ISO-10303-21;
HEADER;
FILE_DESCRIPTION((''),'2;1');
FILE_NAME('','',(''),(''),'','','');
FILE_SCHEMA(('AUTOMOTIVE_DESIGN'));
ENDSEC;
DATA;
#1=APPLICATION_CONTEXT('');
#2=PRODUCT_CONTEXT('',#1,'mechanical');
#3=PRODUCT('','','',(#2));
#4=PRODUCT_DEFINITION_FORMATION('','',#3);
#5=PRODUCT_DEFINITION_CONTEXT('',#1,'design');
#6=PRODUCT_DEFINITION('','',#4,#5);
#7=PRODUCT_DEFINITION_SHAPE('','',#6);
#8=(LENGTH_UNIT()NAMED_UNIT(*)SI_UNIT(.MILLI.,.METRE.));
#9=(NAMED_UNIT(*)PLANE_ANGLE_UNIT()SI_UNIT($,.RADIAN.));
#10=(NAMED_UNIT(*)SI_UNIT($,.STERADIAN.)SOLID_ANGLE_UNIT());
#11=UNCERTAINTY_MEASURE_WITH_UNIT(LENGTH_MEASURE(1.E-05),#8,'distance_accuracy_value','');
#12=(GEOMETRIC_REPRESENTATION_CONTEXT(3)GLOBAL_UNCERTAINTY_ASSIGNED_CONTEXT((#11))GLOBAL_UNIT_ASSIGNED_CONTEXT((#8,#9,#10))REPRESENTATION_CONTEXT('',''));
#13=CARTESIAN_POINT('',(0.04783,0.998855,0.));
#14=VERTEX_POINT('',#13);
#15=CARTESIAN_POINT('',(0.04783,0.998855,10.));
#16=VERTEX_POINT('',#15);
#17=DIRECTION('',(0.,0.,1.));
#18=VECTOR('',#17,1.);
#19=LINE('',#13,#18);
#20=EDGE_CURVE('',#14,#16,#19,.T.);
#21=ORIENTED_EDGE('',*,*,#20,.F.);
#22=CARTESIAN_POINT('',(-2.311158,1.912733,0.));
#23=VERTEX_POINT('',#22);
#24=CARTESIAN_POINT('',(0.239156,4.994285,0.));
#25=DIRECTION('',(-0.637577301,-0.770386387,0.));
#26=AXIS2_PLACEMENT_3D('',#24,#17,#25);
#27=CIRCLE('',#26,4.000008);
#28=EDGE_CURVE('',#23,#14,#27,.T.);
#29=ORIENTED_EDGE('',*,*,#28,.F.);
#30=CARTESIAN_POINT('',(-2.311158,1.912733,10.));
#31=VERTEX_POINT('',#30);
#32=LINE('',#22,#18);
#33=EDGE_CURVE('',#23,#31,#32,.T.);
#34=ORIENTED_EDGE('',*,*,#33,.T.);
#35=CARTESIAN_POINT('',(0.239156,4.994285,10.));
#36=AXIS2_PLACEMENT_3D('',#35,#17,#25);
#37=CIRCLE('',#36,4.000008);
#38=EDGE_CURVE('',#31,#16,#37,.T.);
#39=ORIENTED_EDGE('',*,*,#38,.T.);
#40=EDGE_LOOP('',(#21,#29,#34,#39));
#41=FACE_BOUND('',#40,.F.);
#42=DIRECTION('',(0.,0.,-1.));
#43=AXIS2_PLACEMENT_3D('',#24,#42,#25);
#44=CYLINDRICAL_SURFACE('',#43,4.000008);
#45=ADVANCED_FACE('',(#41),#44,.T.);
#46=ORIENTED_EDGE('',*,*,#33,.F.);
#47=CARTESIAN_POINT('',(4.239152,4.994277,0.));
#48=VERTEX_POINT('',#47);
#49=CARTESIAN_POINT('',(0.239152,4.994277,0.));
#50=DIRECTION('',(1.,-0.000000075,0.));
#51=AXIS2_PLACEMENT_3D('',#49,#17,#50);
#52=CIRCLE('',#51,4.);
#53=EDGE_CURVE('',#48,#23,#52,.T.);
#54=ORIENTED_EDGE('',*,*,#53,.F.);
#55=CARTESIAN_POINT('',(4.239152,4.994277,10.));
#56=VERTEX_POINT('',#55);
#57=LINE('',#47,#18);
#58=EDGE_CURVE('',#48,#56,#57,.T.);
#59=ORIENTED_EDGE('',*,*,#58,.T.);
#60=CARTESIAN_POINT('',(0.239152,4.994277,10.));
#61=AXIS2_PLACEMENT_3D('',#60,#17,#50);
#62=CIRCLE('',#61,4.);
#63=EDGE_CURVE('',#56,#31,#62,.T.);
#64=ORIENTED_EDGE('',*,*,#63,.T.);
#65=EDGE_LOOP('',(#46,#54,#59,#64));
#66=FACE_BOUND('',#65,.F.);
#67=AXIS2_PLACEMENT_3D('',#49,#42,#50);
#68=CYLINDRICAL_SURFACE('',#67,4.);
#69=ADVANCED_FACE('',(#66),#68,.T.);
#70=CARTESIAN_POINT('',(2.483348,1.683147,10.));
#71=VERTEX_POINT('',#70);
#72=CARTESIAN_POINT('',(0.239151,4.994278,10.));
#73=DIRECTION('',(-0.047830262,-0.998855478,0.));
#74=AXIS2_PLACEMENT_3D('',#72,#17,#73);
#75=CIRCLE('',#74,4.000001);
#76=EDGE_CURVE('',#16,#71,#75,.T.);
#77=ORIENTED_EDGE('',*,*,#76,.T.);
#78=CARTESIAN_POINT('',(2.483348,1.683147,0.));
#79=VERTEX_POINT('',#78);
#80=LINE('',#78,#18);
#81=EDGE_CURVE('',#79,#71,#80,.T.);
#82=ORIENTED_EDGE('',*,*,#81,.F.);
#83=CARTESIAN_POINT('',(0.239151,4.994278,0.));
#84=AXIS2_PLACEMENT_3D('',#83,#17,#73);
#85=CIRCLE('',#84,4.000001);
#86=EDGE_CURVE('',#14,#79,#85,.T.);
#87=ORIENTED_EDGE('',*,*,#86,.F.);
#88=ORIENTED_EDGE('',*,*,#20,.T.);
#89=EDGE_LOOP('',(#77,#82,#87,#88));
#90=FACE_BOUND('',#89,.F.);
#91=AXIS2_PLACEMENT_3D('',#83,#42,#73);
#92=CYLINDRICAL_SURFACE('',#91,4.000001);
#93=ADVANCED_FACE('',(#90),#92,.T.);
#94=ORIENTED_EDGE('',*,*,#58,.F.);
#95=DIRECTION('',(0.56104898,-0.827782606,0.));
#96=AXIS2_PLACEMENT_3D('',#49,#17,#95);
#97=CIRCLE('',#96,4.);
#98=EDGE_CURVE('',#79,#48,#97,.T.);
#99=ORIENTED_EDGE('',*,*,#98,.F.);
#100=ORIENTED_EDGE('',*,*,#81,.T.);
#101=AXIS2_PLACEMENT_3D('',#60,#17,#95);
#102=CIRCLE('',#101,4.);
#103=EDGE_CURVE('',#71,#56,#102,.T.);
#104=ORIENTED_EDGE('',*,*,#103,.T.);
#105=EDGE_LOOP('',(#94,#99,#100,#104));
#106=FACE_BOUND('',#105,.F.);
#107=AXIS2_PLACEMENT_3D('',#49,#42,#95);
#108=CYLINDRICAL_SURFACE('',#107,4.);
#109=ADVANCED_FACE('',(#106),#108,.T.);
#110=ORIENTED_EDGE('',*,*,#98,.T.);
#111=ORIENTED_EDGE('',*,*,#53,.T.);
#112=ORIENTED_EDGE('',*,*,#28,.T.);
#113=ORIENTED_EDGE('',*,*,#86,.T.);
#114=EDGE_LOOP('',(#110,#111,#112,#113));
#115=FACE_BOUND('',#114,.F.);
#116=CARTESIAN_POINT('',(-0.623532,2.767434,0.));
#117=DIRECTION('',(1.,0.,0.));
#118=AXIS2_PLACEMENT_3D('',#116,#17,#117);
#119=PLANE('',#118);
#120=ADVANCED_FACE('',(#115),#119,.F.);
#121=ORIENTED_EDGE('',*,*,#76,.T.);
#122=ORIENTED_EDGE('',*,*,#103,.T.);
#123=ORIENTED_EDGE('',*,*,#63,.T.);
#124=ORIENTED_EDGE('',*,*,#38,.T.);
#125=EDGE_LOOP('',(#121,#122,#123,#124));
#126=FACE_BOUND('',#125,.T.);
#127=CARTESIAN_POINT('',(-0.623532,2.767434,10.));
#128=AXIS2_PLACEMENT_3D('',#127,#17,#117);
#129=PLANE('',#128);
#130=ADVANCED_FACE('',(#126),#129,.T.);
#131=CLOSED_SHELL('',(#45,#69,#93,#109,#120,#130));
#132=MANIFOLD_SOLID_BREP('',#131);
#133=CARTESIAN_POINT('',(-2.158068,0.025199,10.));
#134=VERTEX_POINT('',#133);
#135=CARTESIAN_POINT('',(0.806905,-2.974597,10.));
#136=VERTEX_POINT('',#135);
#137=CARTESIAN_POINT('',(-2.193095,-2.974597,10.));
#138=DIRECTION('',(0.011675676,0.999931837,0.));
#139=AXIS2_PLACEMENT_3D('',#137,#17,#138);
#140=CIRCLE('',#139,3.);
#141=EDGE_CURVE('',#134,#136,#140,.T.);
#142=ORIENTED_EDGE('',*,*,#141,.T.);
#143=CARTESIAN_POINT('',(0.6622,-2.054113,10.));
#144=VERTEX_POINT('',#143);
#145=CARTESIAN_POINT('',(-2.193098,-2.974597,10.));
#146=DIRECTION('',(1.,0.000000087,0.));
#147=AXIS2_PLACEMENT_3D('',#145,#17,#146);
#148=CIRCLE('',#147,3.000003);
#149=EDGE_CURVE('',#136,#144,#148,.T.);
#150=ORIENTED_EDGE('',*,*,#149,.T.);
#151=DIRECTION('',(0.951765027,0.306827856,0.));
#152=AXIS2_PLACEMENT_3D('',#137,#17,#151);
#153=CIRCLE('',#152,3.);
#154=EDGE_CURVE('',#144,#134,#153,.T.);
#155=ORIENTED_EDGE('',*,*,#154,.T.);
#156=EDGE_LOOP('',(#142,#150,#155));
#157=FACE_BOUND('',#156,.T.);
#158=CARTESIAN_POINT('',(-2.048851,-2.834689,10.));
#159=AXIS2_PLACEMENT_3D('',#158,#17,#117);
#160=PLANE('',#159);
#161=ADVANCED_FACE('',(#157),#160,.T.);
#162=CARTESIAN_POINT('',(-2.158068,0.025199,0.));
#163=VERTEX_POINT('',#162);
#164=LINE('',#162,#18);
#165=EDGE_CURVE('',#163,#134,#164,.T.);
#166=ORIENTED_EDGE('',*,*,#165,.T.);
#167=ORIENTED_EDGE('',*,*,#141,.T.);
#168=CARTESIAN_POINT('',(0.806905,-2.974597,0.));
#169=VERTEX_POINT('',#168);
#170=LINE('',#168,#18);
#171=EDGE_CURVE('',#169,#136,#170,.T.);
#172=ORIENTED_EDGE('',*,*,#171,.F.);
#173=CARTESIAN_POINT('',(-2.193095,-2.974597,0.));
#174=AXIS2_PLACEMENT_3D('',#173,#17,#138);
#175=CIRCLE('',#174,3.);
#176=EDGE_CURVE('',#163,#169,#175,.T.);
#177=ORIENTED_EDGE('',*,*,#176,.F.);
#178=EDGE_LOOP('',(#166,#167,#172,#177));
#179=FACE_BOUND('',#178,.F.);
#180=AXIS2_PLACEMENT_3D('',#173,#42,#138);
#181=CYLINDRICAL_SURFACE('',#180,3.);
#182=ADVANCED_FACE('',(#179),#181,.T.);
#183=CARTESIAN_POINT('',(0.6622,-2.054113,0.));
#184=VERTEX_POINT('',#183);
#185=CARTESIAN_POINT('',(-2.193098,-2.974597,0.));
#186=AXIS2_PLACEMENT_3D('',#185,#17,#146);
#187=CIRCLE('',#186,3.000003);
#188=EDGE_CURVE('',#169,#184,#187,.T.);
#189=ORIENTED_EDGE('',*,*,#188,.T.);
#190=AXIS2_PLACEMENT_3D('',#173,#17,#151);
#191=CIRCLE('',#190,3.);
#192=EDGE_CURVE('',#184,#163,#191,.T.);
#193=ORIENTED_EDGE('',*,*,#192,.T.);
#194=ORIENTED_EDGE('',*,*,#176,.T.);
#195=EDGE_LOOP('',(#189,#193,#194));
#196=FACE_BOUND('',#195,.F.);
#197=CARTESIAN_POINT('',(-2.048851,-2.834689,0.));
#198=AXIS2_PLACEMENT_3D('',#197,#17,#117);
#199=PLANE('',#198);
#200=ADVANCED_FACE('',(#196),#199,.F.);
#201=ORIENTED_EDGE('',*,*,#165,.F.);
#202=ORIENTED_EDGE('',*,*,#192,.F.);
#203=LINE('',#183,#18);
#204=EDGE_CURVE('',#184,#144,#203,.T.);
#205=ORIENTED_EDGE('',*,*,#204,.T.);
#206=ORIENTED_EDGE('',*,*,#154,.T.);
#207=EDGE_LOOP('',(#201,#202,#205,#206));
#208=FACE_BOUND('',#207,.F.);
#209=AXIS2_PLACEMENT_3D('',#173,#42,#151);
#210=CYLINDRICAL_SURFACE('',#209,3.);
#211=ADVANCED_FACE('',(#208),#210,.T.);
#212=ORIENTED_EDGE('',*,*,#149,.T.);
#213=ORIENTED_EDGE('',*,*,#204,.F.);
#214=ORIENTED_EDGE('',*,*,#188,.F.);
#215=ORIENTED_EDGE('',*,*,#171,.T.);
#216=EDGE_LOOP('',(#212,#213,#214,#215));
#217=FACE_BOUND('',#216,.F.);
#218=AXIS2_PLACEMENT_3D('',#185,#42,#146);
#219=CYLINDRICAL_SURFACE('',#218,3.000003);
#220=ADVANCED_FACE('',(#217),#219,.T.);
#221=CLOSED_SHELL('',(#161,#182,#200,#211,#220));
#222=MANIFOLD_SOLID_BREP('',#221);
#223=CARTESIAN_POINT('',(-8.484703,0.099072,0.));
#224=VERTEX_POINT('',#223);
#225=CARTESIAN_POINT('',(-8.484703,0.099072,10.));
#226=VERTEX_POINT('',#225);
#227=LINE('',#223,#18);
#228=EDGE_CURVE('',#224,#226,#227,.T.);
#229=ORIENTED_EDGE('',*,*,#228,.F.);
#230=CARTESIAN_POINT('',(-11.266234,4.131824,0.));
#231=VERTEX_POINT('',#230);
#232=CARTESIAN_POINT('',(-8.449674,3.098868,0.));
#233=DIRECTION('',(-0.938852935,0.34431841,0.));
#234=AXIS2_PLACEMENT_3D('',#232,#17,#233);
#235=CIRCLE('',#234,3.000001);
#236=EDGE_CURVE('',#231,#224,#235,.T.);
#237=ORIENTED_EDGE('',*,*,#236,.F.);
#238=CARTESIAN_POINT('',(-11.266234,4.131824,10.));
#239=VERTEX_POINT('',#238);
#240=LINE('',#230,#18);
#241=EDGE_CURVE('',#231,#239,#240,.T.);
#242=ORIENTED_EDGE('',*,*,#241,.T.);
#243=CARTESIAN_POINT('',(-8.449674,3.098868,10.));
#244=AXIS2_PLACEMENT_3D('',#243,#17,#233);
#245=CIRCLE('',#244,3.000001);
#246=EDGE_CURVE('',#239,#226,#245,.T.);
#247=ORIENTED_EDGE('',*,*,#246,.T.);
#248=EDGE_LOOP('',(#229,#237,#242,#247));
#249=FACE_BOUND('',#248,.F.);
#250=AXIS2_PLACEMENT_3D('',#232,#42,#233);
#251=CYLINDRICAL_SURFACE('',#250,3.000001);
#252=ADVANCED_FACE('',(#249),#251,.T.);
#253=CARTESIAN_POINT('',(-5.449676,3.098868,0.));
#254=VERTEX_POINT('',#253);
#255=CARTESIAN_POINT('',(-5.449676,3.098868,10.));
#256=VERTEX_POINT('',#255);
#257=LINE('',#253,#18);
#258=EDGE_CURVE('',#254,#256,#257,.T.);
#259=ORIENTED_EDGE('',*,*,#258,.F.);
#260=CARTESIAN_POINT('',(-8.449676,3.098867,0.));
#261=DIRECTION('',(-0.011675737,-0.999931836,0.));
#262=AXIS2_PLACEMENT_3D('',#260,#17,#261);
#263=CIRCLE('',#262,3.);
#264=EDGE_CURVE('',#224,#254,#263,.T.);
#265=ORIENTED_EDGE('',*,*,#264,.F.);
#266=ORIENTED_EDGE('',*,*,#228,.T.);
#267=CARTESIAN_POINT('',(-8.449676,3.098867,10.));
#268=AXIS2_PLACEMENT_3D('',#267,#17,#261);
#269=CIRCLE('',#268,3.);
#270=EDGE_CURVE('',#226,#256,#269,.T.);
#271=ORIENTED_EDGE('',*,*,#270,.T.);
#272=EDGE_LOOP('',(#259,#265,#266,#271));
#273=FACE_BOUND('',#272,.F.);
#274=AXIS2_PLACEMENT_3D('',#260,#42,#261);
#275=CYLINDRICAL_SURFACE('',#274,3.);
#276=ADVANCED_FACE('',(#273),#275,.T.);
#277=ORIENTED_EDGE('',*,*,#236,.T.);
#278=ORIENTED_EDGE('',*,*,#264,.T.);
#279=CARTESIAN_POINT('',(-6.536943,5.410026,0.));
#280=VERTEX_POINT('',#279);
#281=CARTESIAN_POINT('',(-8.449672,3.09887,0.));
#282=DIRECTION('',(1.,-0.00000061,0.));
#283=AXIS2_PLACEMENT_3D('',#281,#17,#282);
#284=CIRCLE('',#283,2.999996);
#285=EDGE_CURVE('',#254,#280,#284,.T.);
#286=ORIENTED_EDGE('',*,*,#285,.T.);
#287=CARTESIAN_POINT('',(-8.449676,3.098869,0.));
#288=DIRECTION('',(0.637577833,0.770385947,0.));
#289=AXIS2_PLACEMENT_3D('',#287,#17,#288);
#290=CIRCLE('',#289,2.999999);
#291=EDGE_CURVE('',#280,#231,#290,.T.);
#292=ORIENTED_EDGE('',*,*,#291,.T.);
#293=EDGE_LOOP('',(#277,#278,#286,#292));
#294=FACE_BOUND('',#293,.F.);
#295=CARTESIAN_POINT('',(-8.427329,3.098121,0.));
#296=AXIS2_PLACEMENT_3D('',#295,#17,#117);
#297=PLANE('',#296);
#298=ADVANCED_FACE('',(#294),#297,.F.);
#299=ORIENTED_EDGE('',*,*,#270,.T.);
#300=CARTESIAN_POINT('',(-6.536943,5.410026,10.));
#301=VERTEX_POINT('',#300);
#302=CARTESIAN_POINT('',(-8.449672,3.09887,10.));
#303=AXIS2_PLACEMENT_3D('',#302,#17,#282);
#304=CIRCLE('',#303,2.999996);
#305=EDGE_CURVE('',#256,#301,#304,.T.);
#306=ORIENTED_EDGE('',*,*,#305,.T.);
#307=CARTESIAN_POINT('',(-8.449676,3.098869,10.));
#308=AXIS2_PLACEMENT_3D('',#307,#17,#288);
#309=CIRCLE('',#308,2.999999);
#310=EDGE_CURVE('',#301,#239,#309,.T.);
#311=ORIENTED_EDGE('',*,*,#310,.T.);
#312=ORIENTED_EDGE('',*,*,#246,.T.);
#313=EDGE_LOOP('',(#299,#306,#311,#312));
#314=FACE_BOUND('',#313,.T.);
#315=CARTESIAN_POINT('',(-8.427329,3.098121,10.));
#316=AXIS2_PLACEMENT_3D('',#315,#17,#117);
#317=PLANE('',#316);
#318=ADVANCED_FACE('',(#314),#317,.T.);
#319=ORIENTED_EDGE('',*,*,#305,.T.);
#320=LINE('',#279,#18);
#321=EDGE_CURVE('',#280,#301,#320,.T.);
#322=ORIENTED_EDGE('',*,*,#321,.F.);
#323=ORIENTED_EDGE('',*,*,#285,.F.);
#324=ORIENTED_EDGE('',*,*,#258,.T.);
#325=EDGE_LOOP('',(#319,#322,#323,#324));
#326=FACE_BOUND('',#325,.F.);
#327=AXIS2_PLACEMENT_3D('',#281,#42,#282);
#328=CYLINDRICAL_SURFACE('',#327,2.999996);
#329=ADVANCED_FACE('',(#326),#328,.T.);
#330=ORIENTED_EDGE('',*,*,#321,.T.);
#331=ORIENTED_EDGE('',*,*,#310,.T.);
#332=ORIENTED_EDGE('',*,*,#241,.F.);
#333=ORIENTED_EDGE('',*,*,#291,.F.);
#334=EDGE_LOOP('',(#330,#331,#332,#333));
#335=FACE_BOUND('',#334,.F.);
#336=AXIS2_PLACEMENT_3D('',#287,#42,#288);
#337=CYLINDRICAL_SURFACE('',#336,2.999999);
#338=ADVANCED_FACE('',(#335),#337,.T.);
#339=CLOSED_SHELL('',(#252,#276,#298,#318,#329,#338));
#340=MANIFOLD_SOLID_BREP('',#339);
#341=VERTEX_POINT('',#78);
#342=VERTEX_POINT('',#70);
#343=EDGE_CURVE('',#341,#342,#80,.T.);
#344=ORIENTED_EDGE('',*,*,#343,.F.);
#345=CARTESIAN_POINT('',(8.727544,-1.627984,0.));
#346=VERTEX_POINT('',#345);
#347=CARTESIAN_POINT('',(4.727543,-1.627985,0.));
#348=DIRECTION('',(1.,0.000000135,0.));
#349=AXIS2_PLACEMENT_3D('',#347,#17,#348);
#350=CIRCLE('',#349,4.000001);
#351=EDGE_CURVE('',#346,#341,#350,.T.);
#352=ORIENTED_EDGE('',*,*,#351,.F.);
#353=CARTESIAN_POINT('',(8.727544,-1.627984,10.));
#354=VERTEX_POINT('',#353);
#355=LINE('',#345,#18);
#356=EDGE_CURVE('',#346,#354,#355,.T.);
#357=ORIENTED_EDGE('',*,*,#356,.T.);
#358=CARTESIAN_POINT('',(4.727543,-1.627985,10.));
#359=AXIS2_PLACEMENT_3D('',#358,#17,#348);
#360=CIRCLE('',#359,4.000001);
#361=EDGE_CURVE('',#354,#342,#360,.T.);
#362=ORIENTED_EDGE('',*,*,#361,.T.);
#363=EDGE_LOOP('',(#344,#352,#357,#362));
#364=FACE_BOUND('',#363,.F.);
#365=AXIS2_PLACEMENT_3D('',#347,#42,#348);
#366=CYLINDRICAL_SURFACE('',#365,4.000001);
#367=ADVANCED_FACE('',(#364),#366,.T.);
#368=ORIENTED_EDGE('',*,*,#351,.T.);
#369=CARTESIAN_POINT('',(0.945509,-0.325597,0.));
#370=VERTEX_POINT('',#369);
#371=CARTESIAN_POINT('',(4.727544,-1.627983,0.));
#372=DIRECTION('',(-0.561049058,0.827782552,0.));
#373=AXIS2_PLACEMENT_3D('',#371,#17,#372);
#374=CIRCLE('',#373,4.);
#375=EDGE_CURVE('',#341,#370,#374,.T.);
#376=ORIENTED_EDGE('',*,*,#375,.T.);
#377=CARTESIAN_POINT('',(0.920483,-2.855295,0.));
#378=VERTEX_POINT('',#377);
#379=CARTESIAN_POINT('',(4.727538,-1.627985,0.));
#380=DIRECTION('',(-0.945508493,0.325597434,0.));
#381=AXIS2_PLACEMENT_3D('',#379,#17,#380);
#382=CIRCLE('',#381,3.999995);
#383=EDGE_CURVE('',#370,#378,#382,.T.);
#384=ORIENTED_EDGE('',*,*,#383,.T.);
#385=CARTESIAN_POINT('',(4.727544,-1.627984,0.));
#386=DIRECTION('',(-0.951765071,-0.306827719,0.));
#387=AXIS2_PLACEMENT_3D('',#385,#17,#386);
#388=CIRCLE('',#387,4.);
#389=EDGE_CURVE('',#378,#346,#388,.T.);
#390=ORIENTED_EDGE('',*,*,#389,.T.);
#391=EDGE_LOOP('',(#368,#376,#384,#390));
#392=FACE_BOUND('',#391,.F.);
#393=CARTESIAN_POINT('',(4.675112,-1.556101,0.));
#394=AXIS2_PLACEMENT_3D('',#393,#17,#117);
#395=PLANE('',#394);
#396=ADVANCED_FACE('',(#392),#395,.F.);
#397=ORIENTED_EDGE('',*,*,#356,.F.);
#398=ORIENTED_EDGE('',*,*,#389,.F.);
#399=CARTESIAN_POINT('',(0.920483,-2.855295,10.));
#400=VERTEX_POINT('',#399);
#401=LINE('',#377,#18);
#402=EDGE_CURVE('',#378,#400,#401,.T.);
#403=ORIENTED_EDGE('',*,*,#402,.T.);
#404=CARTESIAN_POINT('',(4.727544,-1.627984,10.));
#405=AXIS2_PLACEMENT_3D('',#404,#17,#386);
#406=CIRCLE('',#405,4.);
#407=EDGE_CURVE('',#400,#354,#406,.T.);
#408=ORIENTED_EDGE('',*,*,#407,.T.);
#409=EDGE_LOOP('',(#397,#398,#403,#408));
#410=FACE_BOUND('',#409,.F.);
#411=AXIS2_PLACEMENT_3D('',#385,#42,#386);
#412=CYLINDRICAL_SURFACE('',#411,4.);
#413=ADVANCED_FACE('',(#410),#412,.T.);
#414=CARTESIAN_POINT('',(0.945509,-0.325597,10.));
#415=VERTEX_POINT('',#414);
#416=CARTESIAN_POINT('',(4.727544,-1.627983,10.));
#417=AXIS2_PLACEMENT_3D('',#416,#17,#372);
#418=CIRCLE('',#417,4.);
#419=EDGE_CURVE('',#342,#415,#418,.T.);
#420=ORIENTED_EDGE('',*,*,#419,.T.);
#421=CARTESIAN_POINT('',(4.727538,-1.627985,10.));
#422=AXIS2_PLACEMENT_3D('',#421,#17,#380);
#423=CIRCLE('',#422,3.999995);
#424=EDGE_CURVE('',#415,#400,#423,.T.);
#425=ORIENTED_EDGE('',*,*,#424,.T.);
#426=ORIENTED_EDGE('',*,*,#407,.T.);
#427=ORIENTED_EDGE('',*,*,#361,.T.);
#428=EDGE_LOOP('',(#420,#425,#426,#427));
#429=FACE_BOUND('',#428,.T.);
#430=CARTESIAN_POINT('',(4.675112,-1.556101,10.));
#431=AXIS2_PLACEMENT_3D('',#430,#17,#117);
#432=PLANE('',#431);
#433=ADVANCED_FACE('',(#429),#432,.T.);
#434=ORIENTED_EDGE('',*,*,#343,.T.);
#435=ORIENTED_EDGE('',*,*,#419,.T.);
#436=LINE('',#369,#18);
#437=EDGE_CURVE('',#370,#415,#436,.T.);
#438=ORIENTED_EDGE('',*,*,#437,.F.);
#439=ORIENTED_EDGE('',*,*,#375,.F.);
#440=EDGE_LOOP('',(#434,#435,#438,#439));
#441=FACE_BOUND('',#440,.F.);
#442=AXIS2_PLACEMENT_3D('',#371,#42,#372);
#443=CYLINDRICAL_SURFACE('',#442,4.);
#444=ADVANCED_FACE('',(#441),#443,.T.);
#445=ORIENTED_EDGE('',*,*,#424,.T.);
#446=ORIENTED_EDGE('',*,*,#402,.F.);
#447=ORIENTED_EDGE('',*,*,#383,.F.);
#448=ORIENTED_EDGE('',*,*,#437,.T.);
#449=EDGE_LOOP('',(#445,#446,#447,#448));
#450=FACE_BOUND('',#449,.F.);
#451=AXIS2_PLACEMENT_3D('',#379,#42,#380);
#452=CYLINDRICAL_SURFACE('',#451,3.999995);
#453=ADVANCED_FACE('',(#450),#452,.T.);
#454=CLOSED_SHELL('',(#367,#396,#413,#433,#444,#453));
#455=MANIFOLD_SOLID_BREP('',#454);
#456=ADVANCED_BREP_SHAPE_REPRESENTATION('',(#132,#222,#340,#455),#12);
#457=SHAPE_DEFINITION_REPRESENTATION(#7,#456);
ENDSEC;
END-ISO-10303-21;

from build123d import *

# Parameters (mm, degrees)
F1_DEPTH = 10


with BuildPart() as f1:
    # F0 (on Top) → F1 (new body)
    with BuildSketch(Plane.XY):
        with BuildLine():
            ThreePointArc((-6.536943, 5.410026), (-9.232411, 5.994956), (-11.266234, 4.131824))
            ThreePointArc((-11.266234, 4.131824), (-10.919221, 1.395535), (-8.484703, 0.099072))
            ThreePointArc((-8.484703, 0.099072), (-6.340776, 0.965199), (-5.449676, 3.098868))
            ThreePointArc((-5.449676, 3.098868), (-5.735067, 4.375935), (-6.536943, 5.410026))
        make_face()
        with BuildLine():
            ThreePointArc((-2.311158, 1.912733), (-1.205815, 1.264389), (0.04783, 0.998855))
            Line((0.04783, 0.998855), (0.239152, 4.994277))
            Line((0.239152, 4.994277), (-2.311158, 1.912733))
        make_face()
        with BuildLine():
            ThreePointArc((0.04783, 0.998855), (1.321112, 1.143386), (2.483348, 1.683147))
            ThreePointArc((2.483348, 1.683147), (3.773044, 3.120349), (4.239152, 4.994277))
            ThreePointArc((4.239152, 4.994277), (-1.463604, 8.613755), (-2.311158, 1.912733))
            Line((-2.311158, 1.912733), (0.239152, 4.994277))
            Line((0.239152, 4.994277), (0.04783, 0.998855))
        make_face()
        with BuildLine():
            ThreePointArc((8.727544, -1.627984), (6.601472, 1.905908), (2.483348, 1.683147))
            ThreePointArc((2.483348, 1.683147), (1.551441, 0.803553), (0.945509, -0.325597))
            ThreePointArc((0.945509, -0.325597), (0.727739, -1.588415), (0.920483, -2.855295))
            ThreePointArc((0.920483, -2.855295), (5.348736, -5.579455), (8.727544, -1.627984))
        make_face()
        with BuildLine():
            ThreePointArc((0.806905, -2.974597), (0.770508, -2.508703), (0.6622, -2.054113))
            ThreePointArc((0.6622, -2.054113), (-0.412821, -0.559928), (-2.158068, 0.025199))
            ThreePointArc((-2.158068, 0.025199), (-4.326763, -5.083497), (0.806905, -2.974597))
        make_face()
    extrude(amount=F1_DEPTH)


solid = f1.part
